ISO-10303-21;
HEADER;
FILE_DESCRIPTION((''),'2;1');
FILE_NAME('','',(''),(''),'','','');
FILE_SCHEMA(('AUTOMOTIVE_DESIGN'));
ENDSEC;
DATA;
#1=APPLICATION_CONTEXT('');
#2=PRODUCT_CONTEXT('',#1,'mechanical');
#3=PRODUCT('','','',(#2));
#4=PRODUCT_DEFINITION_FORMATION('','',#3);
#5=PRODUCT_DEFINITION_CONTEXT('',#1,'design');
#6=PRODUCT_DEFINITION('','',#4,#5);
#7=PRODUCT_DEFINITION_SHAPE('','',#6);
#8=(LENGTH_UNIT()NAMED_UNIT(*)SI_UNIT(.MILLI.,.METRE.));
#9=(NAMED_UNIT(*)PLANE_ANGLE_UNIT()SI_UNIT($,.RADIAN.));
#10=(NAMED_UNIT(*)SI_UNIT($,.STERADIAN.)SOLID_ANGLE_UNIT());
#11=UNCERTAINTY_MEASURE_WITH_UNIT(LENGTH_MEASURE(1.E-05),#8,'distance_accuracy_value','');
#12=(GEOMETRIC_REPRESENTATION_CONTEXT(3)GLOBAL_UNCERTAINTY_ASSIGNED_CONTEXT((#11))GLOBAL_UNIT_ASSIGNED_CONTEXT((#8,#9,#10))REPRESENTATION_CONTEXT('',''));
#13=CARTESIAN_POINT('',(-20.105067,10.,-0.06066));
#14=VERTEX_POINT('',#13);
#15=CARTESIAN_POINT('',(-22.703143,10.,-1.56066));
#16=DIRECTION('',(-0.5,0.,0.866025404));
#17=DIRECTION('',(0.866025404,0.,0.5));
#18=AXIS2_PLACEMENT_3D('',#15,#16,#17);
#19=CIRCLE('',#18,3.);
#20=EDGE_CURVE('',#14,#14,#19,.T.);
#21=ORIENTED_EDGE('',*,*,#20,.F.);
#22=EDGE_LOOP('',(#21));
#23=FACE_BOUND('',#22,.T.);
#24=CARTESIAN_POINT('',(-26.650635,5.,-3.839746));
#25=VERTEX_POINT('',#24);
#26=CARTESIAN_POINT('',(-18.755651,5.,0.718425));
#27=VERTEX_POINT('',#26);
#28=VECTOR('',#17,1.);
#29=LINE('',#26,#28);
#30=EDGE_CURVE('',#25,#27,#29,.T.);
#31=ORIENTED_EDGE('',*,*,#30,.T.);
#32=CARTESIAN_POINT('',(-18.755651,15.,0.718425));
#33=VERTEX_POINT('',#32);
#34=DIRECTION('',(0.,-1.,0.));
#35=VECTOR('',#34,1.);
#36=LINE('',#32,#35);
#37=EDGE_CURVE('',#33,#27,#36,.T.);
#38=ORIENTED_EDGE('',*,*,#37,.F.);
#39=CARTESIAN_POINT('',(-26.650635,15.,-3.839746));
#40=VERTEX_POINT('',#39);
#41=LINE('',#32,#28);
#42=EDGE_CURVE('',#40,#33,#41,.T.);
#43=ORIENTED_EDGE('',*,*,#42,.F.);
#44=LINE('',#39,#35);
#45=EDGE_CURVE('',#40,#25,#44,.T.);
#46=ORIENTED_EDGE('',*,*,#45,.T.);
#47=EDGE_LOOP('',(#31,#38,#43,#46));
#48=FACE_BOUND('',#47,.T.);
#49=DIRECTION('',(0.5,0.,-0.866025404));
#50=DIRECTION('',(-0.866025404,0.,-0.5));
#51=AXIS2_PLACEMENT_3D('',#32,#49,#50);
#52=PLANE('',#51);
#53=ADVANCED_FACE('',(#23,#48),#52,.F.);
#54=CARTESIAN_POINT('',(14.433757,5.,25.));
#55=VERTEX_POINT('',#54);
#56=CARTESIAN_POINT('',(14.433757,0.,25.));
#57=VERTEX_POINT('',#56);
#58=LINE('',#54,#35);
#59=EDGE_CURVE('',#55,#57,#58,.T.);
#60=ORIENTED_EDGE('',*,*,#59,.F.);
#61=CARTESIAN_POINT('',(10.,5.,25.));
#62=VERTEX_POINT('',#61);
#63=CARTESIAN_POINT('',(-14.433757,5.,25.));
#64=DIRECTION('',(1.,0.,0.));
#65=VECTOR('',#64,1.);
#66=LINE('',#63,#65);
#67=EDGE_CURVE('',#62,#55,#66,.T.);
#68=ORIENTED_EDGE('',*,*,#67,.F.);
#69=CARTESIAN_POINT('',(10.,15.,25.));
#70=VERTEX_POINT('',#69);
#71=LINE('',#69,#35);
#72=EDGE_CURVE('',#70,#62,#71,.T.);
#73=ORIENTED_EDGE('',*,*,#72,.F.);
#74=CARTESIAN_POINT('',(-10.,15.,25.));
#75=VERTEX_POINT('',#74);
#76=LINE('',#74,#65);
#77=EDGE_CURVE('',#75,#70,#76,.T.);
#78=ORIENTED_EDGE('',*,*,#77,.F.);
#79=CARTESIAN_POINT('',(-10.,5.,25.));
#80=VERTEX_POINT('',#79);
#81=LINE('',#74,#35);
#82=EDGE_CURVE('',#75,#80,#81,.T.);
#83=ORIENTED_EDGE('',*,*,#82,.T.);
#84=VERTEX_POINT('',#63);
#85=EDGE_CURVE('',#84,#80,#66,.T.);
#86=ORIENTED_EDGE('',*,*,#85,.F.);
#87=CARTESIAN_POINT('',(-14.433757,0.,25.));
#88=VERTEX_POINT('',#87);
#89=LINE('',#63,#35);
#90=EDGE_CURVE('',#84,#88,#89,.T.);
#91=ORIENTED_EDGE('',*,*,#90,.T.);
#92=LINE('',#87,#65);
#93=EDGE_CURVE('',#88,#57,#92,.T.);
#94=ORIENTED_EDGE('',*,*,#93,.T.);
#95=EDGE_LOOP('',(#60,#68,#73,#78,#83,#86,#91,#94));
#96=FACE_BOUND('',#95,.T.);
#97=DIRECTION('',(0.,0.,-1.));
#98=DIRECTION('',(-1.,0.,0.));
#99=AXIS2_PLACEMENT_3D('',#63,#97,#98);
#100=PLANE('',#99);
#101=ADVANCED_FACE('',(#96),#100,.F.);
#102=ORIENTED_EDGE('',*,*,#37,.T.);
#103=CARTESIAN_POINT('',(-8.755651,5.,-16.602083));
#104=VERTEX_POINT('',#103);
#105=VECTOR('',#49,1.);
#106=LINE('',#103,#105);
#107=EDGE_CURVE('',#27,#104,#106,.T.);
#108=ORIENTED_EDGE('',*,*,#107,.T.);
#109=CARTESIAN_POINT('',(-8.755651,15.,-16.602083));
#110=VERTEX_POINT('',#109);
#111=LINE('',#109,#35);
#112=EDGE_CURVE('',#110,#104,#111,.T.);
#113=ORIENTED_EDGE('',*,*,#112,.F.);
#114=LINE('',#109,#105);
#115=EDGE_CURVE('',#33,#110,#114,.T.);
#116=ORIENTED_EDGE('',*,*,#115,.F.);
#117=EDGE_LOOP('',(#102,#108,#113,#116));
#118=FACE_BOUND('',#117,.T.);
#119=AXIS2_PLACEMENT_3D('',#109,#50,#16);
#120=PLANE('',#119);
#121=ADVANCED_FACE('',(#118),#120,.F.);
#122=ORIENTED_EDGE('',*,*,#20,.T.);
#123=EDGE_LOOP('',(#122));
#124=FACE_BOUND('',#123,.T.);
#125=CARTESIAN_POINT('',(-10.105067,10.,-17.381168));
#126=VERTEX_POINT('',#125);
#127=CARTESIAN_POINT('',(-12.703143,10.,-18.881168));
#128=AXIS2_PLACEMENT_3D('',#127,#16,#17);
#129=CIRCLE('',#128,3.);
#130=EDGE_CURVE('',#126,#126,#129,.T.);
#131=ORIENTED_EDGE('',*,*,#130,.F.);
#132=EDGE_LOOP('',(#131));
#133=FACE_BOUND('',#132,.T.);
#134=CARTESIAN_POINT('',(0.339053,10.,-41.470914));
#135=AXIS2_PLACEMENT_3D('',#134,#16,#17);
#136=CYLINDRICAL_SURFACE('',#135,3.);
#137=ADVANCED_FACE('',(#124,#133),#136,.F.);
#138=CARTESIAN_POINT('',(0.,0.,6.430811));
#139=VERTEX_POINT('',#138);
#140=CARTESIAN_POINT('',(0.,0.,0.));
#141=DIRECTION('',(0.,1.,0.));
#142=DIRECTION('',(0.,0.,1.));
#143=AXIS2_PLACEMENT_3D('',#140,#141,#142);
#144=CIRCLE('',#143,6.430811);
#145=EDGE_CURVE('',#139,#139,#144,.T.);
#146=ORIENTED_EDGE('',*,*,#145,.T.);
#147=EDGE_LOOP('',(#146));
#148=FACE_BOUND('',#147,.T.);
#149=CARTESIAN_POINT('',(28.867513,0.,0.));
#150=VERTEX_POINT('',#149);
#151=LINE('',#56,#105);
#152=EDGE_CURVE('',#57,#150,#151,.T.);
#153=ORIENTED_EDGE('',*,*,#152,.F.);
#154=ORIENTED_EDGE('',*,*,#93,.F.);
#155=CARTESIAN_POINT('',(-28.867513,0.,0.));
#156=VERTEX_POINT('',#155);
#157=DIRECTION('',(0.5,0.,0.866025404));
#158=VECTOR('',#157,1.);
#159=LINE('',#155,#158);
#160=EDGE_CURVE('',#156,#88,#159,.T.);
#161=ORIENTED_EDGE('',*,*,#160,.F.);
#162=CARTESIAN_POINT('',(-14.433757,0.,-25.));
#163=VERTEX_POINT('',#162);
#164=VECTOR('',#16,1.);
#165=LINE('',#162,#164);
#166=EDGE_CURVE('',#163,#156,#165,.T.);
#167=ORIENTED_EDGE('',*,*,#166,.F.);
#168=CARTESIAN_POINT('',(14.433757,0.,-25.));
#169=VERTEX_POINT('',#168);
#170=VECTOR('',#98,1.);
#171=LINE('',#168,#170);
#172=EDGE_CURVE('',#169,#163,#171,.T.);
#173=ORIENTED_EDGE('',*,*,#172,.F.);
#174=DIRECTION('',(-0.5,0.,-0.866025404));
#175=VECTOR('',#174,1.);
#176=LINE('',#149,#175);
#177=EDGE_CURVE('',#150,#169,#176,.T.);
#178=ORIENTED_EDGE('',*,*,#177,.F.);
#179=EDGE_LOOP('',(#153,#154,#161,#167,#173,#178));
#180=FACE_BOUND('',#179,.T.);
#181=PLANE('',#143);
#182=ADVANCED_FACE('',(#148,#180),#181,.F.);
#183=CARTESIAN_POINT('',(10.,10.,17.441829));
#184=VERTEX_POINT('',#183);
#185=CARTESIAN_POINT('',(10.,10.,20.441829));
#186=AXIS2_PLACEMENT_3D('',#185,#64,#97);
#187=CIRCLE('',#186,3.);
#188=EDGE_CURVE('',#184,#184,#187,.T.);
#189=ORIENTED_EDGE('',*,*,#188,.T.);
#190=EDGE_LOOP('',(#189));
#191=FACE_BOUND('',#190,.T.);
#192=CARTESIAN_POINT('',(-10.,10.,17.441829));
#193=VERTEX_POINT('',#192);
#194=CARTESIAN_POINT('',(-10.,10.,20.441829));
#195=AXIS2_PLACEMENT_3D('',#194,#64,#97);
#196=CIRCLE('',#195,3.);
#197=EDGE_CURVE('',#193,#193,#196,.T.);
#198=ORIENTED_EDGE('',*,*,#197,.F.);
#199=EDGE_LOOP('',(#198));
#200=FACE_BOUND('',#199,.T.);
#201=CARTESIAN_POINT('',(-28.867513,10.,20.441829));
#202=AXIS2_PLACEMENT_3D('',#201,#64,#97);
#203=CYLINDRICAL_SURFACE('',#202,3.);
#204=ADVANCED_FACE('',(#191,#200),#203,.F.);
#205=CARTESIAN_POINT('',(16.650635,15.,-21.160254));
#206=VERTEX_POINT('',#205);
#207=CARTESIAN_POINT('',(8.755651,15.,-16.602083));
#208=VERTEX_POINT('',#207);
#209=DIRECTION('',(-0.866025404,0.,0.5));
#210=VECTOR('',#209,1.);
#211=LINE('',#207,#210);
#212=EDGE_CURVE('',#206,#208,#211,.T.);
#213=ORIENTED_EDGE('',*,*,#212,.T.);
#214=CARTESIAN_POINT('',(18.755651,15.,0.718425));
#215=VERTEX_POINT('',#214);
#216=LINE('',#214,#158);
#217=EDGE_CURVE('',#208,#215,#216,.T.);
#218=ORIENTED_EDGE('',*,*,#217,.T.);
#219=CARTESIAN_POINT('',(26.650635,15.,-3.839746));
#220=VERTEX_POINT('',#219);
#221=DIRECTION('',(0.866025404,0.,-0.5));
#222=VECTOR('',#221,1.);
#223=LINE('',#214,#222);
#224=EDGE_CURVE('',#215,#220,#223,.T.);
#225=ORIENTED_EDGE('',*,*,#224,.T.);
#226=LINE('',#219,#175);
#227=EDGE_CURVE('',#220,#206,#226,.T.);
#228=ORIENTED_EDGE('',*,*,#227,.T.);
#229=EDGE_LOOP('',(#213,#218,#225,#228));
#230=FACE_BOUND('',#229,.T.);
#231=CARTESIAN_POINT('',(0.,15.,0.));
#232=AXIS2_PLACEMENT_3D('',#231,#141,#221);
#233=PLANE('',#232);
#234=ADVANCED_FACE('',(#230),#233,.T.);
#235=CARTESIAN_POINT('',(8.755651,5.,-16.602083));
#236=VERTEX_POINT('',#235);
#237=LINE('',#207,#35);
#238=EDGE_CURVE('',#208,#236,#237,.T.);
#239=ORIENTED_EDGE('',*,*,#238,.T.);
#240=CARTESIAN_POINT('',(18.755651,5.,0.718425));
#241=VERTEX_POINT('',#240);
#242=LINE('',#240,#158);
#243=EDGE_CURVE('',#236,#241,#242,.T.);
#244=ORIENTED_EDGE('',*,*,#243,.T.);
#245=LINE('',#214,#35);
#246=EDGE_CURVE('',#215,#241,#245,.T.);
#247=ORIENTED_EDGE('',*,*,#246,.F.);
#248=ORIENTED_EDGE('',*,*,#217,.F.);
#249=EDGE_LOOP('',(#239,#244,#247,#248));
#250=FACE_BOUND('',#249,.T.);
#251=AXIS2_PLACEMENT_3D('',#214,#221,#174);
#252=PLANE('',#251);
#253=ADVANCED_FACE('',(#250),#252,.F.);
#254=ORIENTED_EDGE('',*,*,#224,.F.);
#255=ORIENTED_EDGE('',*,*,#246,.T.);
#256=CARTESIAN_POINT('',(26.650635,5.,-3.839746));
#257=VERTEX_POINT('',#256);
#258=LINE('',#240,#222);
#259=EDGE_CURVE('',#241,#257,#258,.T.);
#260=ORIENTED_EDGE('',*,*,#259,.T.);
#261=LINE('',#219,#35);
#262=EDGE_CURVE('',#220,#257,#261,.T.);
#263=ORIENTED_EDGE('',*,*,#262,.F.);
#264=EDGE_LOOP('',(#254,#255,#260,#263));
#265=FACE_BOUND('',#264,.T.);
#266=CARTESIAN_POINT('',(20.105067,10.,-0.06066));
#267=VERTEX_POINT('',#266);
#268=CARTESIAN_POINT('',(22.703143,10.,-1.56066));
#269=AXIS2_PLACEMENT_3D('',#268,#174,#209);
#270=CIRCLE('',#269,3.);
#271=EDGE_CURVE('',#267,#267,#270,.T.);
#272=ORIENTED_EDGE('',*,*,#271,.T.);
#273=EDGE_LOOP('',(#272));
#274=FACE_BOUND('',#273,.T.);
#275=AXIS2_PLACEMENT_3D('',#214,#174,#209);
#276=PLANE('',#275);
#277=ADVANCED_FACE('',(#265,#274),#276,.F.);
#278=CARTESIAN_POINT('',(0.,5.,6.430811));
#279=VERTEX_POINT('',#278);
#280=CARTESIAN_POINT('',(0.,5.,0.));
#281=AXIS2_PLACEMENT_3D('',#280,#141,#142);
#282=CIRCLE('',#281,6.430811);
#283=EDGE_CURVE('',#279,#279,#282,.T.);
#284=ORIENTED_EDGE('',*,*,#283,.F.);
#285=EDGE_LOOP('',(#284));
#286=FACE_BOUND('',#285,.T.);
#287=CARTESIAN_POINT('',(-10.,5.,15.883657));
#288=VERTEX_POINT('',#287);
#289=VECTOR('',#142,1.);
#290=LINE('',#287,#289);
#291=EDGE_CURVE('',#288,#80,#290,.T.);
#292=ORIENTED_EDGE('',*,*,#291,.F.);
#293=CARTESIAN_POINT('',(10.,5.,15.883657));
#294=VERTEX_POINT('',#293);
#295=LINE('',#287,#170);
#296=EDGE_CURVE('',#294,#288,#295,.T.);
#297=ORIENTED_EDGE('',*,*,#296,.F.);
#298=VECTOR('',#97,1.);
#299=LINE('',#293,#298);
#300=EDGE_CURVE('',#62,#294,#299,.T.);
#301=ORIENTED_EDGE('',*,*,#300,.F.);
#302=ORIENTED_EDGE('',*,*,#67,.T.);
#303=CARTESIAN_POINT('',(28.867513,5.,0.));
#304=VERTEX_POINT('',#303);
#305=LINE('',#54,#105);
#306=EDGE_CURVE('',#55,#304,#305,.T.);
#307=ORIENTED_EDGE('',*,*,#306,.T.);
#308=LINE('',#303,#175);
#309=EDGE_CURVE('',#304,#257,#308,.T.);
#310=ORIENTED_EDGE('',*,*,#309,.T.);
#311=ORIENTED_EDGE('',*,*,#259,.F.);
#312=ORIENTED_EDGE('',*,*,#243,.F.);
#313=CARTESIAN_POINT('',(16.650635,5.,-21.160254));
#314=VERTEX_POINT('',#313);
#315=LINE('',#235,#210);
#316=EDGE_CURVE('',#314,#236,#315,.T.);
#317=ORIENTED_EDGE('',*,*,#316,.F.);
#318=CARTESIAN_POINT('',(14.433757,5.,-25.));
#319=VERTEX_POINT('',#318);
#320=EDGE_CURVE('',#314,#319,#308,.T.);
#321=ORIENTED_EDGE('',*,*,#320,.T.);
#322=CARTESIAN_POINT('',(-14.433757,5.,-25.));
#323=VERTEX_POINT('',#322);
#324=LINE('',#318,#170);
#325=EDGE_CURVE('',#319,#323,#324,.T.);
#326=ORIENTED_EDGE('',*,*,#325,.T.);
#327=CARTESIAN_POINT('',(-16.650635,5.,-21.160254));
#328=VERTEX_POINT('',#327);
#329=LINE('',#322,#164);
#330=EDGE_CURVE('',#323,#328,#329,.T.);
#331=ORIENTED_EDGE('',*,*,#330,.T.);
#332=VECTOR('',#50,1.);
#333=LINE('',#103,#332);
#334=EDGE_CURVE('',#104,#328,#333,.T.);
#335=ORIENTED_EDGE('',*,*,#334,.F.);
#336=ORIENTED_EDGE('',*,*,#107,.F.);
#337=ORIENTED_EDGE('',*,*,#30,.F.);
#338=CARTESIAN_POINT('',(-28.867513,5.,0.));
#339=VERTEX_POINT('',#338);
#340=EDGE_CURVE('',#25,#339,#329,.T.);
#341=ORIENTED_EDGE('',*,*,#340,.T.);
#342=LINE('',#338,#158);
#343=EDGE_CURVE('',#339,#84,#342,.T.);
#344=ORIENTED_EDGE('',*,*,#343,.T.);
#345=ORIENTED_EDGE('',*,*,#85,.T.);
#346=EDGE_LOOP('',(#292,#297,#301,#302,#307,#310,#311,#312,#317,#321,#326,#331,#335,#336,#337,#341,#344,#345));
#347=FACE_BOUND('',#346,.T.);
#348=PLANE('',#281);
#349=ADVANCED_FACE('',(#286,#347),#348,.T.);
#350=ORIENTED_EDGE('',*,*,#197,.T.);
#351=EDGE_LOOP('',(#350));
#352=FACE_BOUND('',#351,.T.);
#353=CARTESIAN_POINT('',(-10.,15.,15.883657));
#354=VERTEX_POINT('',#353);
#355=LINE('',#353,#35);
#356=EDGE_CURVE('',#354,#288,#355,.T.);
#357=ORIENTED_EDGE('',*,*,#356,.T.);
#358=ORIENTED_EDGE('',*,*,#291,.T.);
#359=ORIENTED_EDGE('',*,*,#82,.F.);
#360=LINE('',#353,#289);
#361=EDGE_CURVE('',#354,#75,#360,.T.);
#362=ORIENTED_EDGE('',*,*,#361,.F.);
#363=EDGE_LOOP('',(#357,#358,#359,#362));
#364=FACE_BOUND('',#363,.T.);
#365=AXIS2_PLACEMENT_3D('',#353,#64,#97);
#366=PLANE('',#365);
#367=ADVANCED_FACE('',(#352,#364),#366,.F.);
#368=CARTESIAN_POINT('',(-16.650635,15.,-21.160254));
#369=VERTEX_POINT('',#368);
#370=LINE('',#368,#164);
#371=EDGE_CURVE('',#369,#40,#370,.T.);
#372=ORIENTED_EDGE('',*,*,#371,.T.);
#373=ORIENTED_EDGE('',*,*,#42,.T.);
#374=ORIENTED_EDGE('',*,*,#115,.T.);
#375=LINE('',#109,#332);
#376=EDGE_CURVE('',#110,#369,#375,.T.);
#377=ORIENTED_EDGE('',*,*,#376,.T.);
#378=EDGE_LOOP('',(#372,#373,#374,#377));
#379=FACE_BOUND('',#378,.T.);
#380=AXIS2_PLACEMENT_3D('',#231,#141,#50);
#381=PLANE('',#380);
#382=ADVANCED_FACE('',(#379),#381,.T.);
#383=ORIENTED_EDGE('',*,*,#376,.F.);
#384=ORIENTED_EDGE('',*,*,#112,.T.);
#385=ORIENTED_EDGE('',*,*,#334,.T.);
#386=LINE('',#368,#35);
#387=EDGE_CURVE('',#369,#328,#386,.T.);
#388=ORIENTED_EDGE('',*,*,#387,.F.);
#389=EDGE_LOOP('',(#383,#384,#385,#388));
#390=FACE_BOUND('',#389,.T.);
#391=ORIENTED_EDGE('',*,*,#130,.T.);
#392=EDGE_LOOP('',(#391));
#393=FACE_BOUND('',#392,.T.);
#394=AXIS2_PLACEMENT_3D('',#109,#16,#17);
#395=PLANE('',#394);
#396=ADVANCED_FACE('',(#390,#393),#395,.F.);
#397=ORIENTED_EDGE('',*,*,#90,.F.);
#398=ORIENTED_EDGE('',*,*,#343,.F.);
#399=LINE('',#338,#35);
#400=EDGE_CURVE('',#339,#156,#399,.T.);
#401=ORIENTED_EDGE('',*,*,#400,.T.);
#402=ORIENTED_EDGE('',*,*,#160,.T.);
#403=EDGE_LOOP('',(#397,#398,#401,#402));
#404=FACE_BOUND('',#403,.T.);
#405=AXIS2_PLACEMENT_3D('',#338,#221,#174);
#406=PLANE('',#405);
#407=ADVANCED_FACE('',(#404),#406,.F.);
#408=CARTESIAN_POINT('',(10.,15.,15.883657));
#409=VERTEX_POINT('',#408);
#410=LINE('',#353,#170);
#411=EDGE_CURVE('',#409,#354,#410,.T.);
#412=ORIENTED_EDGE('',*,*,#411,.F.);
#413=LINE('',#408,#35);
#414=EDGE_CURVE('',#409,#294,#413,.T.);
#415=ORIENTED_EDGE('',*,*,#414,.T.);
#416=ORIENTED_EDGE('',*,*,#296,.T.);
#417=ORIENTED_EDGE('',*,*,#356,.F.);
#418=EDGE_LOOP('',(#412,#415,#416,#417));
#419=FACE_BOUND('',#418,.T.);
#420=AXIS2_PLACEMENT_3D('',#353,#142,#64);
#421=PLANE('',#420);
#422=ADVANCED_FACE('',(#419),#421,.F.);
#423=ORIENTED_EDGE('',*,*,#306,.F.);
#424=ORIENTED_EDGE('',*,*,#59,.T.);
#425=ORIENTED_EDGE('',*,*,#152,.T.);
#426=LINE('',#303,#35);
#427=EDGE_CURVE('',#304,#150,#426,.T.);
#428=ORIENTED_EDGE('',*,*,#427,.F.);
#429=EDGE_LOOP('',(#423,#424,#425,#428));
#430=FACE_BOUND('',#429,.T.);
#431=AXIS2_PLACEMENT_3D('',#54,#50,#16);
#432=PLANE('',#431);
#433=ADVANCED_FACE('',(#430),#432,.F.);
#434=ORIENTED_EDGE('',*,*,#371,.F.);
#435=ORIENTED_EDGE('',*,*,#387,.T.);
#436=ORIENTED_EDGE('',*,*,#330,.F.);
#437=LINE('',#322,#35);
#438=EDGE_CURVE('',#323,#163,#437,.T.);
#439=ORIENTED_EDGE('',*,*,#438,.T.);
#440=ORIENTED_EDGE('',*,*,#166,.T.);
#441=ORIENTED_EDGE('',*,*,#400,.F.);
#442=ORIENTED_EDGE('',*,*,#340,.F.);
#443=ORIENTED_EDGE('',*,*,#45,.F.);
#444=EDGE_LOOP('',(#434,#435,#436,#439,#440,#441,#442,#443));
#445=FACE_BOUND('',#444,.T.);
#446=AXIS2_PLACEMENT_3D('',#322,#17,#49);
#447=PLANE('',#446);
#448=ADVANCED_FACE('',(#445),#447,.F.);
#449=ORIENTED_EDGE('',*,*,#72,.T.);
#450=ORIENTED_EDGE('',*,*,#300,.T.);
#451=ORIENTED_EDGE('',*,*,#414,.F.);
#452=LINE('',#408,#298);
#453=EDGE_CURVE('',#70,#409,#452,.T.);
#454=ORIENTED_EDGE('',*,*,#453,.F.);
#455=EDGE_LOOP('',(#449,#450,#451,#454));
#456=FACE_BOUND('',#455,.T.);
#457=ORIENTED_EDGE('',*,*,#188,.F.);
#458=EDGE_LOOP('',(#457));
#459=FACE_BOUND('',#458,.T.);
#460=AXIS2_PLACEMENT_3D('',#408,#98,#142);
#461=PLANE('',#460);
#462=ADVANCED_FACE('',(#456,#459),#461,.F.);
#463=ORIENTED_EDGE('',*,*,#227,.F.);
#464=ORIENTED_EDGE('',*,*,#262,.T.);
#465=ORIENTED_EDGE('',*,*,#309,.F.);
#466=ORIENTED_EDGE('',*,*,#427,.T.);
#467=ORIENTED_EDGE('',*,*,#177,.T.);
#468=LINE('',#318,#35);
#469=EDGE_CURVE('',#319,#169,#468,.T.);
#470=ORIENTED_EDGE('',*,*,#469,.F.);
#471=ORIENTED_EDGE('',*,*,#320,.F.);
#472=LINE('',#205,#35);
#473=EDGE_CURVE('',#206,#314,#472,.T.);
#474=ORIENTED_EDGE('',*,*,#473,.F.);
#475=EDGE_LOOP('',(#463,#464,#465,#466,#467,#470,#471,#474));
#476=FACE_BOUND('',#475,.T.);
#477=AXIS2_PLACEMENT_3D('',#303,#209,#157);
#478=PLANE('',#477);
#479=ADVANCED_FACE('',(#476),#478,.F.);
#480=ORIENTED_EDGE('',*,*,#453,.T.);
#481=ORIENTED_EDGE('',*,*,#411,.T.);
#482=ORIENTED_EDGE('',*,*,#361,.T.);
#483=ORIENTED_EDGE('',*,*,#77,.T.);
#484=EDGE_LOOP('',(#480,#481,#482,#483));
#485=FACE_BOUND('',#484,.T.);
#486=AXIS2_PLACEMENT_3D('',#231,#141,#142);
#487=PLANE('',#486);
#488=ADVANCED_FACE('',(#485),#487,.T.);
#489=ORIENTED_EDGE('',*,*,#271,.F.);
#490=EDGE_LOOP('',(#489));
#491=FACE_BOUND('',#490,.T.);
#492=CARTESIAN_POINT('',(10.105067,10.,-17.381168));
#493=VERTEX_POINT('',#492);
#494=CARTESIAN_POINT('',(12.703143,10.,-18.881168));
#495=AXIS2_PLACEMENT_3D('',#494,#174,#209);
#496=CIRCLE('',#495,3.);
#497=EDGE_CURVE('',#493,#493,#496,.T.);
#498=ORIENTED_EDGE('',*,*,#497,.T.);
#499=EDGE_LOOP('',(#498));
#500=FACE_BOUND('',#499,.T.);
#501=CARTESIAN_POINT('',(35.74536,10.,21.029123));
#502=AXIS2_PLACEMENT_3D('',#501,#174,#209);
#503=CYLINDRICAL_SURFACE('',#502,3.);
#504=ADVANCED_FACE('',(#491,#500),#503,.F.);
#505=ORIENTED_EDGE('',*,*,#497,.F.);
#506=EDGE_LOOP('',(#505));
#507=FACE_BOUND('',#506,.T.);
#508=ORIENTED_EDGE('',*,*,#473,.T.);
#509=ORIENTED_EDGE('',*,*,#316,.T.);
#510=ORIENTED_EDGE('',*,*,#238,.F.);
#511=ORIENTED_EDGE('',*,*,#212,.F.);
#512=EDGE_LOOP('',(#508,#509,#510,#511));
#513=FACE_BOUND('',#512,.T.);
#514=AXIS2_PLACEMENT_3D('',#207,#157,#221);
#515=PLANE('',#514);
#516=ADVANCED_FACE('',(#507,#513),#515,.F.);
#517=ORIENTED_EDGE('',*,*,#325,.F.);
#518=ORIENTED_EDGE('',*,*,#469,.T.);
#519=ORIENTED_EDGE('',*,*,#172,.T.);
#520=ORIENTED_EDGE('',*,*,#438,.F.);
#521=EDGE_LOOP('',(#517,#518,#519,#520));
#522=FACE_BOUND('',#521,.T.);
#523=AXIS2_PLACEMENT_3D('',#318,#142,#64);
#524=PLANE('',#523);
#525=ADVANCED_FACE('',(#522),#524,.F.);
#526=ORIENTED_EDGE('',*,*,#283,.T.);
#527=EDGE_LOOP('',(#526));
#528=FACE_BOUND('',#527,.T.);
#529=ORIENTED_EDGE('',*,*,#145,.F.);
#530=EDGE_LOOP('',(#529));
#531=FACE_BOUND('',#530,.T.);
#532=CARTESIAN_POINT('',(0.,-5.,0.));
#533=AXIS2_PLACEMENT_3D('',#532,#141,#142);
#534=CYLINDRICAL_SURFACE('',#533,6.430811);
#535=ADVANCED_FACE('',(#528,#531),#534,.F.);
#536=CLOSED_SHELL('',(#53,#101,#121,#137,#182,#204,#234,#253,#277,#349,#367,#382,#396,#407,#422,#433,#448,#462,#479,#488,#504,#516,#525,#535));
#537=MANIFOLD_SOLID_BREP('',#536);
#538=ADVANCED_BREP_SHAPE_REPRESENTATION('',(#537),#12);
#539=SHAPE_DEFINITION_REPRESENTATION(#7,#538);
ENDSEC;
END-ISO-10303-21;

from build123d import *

# Parameters (mm, degrees)
BOSS_EXTRUDE1_DEPTH = 5
SKETCH4_R           = 6.430810597
CUT_EXTRUDE2_DEPTH  = 10
SKETCH2_W           = 20
SKETCH2_H           = 9.116342764
BOSS_EXTRUDE2_DEPTH = 10
SKETCH3_R           = 3
CUT_EXTRUDE1_DEPTH  = 49.586866564
CIRPATTERN1_COUNT   = 3


with BuildPart() as part:
    # Sketch1 → Boss-Extrude1 (new body)
    with BuildSketch(Plane(origin=(0, 0, 0), x_dir=(1, 0, 0), z_dir=(0, 1, 0))):
        Polygon((14.43375673, 25), (-14.43375673, 25), (-28.867513459, 0), (-14.43375673, -25), (14.43375673, -25), (28.867513459, 0), align=None)
    extrude(amount=BOSS_EXTRUDE1_DEPTH)

    # Sketch4 → Cut-Extrude2 (cut)
    with BuildSketch(Plane(origin=(0, 5, 0), x_dir=(1, 0, 0), z_dir=(0, 1, 0))):
        with Locations(Location((0, 0, 0), (0, 0, 270))):
            Circle(SKETCH4_R)
    extrude(amount=-CUT_EXTRUDE2_DEPTH, mode=Mode.SUBTRACT)

    # Sketch2 → Boss-Extrude2 (add)
    with BuildSketch(Plane(origin=(0, 5, 0), x_dir=(1, 0, 0), z_dir=(0, 1, 0))):
        with Locations((0, -20.441828618)):
            Rectangle(SKETCH2_W, SKETCH2_H)
    boss_extrude2 = extrude(amount=BOSS_EXTRUDE2_DEPTH)

    # Sketch3 → Cut-Extrude1 (cut, through all)
    with BuildSketch(Plane(origin=(10, 0, 0), x_dir=(0, 0, -1), z_dir=(1, 0, 0))):
        with Locations((-20.441828618, 10)):
            Circle(SKETCH3_R)
    cut_extrude1 = extrude(amount=-CUT_EXTRUDE1_DEPTH, mode=Mode.SUBTRACT)

    # CirPattern1: Boss-Extrude2, Cut-Extrude1 ×3 about axis
    cirpattern1_axis = Axis((0, 0, 0), (0, 1, 0))
    add([boss_extrude2.rotate(cirpattern1_axis, i * 360 / CIRPATTERN1_COUNT) for i in range(1, CIRPATTERN1_COUNT)])
    add([cut_extrude1.rotate(cirpattern1_axis, i * 360 / CIRPATTERN1_COUNT) for i in range(1, CIRPATTERN1_COUNT)], mode=Mode.SUBTRACT)


solid = part.part
